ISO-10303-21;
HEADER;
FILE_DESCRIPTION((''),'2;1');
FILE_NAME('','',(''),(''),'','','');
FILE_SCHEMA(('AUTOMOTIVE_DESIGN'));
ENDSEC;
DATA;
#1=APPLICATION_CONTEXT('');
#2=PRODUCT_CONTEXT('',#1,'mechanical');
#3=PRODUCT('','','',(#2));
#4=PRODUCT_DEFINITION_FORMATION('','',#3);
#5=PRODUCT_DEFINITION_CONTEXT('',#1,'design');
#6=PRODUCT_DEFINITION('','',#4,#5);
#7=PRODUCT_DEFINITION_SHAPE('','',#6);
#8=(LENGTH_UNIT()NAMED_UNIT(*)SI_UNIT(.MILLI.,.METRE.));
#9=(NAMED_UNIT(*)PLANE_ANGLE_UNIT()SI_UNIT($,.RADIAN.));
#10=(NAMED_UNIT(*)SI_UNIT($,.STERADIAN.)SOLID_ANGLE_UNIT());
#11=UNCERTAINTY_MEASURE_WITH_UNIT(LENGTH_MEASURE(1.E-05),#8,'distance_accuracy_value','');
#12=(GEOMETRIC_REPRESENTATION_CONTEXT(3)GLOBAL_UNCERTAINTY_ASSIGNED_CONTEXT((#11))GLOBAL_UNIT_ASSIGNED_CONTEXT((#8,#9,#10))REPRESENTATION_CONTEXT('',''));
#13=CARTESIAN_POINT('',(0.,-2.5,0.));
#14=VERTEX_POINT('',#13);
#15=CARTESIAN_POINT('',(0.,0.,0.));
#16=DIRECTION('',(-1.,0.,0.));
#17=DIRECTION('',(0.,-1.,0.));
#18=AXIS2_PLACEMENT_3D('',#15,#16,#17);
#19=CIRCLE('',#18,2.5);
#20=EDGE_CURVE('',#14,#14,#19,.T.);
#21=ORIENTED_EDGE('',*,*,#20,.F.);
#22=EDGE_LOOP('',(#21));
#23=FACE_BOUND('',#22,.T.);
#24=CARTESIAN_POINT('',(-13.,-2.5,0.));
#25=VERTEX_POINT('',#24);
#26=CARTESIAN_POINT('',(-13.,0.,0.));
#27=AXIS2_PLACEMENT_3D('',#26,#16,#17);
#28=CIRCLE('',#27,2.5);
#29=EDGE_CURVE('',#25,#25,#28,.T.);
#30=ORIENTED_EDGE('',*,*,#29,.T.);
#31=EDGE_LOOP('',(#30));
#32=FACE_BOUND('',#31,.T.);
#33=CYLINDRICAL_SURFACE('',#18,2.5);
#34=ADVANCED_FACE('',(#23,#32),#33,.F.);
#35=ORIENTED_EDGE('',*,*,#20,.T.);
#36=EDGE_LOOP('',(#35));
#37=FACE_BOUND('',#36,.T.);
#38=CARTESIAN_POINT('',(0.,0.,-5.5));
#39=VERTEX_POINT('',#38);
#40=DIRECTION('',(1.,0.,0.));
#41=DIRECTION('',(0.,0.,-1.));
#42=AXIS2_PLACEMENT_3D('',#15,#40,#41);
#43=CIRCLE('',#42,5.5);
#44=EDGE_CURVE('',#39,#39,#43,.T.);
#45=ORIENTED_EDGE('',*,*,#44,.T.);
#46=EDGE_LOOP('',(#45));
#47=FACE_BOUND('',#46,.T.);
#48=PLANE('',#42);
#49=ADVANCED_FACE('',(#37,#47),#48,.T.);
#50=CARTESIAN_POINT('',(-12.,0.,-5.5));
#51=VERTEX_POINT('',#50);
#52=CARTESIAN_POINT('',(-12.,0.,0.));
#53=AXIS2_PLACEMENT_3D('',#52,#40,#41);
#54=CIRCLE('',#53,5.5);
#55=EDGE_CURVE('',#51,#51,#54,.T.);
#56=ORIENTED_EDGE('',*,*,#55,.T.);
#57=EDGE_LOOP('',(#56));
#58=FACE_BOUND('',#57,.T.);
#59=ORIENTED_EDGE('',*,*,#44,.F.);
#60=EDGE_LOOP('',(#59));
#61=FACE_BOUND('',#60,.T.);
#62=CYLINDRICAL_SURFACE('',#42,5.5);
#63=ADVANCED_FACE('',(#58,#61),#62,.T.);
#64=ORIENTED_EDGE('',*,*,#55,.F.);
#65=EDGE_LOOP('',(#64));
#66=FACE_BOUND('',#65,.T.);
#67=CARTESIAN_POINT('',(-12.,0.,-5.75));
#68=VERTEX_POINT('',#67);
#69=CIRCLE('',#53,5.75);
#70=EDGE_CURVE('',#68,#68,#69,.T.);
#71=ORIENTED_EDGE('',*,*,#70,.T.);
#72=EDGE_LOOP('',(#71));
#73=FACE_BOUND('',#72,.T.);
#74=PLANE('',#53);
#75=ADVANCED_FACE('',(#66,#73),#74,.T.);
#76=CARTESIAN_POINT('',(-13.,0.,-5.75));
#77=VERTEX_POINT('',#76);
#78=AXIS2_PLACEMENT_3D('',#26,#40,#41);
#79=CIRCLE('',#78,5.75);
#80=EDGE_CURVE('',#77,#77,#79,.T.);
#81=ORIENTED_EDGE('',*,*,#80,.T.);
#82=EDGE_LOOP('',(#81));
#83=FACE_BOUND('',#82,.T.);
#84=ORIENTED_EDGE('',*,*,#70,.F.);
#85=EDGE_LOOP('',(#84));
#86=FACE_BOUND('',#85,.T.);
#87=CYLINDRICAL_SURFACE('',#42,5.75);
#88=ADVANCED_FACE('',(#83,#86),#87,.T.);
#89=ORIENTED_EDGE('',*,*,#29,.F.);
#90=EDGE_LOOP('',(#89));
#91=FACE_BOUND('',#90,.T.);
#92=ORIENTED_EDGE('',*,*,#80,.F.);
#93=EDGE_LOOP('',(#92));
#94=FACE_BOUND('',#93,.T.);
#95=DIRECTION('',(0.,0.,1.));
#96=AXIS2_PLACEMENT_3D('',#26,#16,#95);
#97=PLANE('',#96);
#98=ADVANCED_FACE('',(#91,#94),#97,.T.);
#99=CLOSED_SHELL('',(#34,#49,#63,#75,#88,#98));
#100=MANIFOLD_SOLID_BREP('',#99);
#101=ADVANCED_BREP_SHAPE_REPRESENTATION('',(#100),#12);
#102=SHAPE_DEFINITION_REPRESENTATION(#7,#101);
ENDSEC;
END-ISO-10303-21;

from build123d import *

# Parameters (mm, degrees)
SKETCH_2_R          = 2.5
CUT_EXTRUDE_1_DEPTH = 14


with BuildPart() as part:
    # ｽｹｯﾁ1 → 回転1 (revolve)
    with BuildSketch(Plane.XY):
        Polygon((0, 0), (-13, 0), (-13, 5.75), (-12, 5.75), (-12, 5.5), (0, 5.5), align=None)
    revolve(axis=Axis((0, 0, 0), (-1, 0, 0)))

    # ｽｹｯﾁ2 → ｶｯﾄ - 押し出し1 (cut, through all)
    with BuildSketch(Plane.ZY.offset(13)):
        Circle(SKETCH_2_R)
    extrude(amount=-CUT_EXTRUDE_1_DEPTH, mode=Mode.SUBTRACT)


solid = part.part
